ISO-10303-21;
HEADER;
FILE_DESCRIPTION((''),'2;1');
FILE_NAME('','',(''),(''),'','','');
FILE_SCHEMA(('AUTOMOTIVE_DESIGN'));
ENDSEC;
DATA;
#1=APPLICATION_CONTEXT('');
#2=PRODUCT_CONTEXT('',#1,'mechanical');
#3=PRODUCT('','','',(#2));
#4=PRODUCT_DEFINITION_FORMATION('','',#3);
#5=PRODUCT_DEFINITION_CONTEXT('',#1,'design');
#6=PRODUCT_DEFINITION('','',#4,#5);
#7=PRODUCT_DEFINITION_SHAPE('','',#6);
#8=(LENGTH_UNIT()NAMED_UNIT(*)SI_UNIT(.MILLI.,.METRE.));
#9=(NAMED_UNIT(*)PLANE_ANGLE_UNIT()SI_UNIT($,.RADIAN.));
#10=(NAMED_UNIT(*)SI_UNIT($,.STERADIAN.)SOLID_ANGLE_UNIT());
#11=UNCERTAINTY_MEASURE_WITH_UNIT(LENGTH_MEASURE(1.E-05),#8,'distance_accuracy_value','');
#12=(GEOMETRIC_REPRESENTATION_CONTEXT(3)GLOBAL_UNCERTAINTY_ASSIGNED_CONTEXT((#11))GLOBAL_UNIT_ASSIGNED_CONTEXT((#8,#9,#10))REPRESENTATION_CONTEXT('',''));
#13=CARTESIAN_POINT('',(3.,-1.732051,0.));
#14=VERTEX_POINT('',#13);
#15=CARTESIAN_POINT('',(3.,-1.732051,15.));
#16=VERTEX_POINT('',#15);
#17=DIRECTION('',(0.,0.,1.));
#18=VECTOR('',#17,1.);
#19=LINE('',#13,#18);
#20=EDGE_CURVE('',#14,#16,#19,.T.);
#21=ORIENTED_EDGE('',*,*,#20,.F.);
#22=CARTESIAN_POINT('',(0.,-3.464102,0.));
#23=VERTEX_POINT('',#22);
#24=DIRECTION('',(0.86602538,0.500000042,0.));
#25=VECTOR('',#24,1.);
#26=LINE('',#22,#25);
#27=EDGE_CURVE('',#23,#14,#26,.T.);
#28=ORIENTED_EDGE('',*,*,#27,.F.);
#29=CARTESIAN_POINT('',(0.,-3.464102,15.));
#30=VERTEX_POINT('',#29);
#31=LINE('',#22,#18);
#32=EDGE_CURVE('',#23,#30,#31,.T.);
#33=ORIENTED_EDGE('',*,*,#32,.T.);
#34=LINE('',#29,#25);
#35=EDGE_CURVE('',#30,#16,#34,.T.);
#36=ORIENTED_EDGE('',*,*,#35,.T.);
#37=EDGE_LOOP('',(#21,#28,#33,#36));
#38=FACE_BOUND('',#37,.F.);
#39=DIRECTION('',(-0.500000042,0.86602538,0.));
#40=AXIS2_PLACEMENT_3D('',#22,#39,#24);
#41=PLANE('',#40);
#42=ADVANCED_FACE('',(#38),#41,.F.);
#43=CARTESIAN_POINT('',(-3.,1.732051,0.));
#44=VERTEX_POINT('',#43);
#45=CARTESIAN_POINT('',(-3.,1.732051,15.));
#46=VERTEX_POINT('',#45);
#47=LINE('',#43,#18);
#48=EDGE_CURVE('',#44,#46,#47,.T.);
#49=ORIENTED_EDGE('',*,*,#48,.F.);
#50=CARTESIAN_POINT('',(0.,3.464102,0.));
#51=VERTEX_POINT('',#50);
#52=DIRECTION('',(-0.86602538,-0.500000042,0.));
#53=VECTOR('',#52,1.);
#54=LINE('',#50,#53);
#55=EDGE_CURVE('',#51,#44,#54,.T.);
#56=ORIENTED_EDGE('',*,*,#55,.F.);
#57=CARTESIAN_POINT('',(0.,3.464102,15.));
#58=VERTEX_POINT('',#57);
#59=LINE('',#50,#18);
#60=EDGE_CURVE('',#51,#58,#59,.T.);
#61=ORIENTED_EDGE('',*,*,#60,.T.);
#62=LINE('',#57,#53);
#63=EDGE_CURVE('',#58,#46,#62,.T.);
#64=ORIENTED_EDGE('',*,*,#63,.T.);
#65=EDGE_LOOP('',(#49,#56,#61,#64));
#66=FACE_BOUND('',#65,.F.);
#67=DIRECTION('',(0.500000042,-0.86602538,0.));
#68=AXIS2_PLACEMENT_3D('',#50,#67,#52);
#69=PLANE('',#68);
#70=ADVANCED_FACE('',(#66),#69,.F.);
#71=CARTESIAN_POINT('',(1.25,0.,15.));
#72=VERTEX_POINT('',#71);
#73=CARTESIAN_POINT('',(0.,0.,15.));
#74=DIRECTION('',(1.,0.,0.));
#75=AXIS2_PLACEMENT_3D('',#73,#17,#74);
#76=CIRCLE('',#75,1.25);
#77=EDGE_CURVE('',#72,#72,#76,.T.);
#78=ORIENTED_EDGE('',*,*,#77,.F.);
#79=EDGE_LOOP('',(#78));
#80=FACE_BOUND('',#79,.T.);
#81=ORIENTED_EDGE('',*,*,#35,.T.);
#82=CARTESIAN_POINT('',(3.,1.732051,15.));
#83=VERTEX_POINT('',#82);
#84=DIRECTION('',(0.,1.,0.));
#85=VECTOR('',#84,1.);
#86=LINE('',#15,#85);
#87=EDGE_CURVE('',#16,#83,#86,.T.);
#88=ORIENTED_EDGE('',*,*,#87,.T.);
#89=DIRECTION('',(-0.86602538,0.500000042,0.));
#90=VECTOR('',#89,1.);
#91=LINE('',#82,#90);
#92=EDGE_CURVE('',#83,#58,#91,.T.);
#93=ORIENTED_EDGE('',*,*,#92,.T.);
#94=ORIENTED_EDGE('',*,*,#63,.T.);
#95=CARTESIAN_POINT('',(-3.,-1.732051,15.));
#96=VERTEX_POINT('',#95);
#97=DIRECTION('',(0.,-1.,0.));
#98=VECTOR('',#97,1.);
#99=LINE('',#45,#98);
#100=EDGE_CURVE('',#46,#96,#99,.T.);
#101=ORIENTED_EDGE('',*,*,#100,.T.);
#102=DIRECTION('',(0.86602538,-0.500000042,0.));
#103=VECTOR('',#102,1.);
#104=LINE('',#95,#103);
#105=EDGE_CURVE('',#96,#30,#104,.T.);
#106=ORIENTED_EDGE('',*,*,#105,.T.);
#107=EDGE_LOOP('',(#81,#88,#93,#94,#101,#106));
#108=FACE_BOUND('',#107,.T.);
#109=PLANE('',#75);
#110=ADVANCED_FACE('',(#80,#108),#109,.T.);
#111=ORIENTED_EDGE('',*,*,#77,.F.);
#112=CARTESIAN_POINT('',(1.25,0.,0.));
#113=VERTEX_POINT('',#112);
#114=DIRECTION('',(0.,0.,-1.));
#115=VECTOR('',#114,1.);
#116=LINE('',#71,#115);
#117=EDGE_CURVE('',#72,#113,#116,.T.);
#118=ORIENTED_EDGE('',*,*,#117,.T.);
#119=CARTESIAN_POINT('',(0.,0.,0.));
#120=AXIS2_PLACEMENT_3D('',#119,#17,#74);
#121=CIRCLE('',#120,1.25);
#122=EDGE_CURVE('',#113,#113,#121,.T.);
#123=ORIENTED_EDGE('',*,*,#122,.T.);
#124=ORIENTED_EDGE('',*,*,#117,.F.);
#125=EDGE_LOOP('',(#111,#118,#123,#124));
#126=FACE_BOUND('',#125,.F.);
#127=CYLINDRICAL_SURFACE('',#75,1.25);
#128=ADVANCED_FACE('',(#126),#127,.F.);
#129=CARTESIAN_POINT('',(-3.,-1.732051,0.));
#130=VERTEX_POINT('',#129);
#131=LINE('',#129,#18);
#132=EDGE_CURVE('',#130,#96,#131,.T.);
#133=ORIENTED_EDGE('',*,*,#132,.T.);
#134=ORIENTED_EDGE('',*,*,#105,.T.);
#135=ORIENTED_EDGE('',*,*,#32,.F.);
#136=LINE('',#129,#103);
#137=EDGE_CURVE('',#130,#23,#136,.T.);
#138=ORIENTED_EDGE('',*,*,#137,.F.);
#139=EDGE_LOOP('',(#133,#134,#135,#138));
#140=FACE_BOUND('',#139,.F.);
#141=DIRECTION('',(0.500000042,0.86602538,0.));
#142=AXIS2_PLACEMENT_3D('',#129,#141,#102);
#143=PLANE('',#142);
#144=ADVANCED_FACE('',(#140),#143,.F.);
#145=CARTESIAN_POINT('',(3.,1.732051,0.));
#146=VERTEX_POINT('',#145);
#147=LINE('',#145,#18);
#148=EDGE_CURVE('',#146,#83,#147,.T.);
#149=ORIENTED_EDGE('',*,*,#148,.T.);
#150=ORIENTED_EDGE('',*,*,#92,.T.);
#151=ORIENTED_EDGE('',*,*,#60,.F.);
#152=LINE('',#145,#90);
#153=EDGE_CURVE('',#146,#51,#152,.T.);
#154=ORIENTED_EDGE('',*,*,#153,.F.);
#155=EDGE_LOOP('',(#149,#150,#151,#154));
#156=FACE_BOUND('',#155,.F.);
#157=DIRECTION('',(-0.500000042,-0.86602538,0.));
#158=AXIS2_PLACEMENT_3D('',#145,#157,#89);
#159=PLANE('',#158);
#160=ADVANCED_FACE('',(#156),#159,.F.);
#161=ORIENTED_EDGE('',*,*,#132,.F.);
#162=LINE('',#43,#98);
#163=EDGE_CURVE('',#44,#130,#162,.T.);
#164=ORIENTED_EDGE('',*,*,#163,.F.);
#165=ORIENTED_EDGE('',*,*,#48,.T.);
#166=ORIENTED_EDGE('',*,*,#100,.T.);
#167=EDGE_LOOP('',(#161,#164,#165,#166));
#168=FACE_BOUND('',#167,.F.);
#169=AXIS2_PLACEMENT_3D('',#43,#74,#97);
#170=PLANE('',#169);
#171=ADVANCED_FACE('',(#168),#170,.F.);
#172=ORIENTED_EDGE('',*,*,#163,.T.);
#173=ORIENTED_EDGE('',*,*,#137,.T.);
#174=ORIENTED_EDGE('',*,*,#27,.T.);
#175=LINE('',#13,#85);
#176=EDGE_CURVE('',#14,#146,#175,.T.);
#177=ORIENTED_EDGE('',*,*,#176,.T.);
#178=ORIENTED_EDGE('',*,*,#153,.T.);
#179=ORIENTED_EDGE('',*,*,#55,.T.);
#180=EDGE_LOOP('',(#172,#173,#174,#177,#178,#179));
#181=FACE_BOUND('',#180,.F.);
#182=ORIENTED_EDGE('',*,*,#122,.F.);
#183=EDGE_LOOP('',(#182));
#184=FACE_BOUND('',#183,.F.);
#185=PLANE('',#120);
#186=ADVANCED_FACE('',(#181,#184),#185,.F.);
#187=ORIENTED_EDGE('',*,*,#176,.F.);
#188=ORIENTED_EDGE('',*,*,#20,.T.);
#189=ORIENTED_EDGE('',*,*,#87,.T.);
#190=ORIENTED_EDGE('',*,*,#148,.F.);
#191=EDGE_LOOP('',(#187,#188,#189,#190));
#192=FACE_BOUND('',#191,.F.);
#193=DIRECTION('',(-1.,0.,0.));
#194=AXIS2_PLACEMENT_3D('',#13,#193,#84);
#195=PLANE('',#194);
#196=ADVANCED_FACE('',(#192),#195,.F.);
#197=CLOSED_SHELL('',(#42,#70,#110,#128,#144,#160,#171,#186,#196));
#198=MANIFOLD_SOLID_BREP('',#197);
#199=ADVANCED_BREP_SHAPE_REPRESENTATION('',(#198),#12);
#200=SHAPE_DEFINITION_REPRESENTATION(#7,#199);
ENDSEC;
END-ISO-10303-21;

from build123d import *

# Parameters (mm, degrees)
PAD_DEPTH   = 15
SKETCH001_R = 1.25
HOLE_DEPTH  = 15.001


with BuildPart() as part:
    # Sketch → Pad (new body)
    with BuildSketch(Plane.XY):
        Polygon((-3, -1.732051), (0, -3.464102), (3, -1.732051), (3, 1.732051), (0, 3.464102), (-3, 1.732051), align=None)
    extrude(amount=PAD_DEPTH)

    # Sketch001 (on Face8 of Pad) → Hole (cut, through all)
    with BuildSketch(Plane.XY.offset(15)):
        Circle(SKETCH001_R)
    extrude(amount=-HOLE_DEPTH, mode=Mode.SUBTRACT)


solid = part.part
